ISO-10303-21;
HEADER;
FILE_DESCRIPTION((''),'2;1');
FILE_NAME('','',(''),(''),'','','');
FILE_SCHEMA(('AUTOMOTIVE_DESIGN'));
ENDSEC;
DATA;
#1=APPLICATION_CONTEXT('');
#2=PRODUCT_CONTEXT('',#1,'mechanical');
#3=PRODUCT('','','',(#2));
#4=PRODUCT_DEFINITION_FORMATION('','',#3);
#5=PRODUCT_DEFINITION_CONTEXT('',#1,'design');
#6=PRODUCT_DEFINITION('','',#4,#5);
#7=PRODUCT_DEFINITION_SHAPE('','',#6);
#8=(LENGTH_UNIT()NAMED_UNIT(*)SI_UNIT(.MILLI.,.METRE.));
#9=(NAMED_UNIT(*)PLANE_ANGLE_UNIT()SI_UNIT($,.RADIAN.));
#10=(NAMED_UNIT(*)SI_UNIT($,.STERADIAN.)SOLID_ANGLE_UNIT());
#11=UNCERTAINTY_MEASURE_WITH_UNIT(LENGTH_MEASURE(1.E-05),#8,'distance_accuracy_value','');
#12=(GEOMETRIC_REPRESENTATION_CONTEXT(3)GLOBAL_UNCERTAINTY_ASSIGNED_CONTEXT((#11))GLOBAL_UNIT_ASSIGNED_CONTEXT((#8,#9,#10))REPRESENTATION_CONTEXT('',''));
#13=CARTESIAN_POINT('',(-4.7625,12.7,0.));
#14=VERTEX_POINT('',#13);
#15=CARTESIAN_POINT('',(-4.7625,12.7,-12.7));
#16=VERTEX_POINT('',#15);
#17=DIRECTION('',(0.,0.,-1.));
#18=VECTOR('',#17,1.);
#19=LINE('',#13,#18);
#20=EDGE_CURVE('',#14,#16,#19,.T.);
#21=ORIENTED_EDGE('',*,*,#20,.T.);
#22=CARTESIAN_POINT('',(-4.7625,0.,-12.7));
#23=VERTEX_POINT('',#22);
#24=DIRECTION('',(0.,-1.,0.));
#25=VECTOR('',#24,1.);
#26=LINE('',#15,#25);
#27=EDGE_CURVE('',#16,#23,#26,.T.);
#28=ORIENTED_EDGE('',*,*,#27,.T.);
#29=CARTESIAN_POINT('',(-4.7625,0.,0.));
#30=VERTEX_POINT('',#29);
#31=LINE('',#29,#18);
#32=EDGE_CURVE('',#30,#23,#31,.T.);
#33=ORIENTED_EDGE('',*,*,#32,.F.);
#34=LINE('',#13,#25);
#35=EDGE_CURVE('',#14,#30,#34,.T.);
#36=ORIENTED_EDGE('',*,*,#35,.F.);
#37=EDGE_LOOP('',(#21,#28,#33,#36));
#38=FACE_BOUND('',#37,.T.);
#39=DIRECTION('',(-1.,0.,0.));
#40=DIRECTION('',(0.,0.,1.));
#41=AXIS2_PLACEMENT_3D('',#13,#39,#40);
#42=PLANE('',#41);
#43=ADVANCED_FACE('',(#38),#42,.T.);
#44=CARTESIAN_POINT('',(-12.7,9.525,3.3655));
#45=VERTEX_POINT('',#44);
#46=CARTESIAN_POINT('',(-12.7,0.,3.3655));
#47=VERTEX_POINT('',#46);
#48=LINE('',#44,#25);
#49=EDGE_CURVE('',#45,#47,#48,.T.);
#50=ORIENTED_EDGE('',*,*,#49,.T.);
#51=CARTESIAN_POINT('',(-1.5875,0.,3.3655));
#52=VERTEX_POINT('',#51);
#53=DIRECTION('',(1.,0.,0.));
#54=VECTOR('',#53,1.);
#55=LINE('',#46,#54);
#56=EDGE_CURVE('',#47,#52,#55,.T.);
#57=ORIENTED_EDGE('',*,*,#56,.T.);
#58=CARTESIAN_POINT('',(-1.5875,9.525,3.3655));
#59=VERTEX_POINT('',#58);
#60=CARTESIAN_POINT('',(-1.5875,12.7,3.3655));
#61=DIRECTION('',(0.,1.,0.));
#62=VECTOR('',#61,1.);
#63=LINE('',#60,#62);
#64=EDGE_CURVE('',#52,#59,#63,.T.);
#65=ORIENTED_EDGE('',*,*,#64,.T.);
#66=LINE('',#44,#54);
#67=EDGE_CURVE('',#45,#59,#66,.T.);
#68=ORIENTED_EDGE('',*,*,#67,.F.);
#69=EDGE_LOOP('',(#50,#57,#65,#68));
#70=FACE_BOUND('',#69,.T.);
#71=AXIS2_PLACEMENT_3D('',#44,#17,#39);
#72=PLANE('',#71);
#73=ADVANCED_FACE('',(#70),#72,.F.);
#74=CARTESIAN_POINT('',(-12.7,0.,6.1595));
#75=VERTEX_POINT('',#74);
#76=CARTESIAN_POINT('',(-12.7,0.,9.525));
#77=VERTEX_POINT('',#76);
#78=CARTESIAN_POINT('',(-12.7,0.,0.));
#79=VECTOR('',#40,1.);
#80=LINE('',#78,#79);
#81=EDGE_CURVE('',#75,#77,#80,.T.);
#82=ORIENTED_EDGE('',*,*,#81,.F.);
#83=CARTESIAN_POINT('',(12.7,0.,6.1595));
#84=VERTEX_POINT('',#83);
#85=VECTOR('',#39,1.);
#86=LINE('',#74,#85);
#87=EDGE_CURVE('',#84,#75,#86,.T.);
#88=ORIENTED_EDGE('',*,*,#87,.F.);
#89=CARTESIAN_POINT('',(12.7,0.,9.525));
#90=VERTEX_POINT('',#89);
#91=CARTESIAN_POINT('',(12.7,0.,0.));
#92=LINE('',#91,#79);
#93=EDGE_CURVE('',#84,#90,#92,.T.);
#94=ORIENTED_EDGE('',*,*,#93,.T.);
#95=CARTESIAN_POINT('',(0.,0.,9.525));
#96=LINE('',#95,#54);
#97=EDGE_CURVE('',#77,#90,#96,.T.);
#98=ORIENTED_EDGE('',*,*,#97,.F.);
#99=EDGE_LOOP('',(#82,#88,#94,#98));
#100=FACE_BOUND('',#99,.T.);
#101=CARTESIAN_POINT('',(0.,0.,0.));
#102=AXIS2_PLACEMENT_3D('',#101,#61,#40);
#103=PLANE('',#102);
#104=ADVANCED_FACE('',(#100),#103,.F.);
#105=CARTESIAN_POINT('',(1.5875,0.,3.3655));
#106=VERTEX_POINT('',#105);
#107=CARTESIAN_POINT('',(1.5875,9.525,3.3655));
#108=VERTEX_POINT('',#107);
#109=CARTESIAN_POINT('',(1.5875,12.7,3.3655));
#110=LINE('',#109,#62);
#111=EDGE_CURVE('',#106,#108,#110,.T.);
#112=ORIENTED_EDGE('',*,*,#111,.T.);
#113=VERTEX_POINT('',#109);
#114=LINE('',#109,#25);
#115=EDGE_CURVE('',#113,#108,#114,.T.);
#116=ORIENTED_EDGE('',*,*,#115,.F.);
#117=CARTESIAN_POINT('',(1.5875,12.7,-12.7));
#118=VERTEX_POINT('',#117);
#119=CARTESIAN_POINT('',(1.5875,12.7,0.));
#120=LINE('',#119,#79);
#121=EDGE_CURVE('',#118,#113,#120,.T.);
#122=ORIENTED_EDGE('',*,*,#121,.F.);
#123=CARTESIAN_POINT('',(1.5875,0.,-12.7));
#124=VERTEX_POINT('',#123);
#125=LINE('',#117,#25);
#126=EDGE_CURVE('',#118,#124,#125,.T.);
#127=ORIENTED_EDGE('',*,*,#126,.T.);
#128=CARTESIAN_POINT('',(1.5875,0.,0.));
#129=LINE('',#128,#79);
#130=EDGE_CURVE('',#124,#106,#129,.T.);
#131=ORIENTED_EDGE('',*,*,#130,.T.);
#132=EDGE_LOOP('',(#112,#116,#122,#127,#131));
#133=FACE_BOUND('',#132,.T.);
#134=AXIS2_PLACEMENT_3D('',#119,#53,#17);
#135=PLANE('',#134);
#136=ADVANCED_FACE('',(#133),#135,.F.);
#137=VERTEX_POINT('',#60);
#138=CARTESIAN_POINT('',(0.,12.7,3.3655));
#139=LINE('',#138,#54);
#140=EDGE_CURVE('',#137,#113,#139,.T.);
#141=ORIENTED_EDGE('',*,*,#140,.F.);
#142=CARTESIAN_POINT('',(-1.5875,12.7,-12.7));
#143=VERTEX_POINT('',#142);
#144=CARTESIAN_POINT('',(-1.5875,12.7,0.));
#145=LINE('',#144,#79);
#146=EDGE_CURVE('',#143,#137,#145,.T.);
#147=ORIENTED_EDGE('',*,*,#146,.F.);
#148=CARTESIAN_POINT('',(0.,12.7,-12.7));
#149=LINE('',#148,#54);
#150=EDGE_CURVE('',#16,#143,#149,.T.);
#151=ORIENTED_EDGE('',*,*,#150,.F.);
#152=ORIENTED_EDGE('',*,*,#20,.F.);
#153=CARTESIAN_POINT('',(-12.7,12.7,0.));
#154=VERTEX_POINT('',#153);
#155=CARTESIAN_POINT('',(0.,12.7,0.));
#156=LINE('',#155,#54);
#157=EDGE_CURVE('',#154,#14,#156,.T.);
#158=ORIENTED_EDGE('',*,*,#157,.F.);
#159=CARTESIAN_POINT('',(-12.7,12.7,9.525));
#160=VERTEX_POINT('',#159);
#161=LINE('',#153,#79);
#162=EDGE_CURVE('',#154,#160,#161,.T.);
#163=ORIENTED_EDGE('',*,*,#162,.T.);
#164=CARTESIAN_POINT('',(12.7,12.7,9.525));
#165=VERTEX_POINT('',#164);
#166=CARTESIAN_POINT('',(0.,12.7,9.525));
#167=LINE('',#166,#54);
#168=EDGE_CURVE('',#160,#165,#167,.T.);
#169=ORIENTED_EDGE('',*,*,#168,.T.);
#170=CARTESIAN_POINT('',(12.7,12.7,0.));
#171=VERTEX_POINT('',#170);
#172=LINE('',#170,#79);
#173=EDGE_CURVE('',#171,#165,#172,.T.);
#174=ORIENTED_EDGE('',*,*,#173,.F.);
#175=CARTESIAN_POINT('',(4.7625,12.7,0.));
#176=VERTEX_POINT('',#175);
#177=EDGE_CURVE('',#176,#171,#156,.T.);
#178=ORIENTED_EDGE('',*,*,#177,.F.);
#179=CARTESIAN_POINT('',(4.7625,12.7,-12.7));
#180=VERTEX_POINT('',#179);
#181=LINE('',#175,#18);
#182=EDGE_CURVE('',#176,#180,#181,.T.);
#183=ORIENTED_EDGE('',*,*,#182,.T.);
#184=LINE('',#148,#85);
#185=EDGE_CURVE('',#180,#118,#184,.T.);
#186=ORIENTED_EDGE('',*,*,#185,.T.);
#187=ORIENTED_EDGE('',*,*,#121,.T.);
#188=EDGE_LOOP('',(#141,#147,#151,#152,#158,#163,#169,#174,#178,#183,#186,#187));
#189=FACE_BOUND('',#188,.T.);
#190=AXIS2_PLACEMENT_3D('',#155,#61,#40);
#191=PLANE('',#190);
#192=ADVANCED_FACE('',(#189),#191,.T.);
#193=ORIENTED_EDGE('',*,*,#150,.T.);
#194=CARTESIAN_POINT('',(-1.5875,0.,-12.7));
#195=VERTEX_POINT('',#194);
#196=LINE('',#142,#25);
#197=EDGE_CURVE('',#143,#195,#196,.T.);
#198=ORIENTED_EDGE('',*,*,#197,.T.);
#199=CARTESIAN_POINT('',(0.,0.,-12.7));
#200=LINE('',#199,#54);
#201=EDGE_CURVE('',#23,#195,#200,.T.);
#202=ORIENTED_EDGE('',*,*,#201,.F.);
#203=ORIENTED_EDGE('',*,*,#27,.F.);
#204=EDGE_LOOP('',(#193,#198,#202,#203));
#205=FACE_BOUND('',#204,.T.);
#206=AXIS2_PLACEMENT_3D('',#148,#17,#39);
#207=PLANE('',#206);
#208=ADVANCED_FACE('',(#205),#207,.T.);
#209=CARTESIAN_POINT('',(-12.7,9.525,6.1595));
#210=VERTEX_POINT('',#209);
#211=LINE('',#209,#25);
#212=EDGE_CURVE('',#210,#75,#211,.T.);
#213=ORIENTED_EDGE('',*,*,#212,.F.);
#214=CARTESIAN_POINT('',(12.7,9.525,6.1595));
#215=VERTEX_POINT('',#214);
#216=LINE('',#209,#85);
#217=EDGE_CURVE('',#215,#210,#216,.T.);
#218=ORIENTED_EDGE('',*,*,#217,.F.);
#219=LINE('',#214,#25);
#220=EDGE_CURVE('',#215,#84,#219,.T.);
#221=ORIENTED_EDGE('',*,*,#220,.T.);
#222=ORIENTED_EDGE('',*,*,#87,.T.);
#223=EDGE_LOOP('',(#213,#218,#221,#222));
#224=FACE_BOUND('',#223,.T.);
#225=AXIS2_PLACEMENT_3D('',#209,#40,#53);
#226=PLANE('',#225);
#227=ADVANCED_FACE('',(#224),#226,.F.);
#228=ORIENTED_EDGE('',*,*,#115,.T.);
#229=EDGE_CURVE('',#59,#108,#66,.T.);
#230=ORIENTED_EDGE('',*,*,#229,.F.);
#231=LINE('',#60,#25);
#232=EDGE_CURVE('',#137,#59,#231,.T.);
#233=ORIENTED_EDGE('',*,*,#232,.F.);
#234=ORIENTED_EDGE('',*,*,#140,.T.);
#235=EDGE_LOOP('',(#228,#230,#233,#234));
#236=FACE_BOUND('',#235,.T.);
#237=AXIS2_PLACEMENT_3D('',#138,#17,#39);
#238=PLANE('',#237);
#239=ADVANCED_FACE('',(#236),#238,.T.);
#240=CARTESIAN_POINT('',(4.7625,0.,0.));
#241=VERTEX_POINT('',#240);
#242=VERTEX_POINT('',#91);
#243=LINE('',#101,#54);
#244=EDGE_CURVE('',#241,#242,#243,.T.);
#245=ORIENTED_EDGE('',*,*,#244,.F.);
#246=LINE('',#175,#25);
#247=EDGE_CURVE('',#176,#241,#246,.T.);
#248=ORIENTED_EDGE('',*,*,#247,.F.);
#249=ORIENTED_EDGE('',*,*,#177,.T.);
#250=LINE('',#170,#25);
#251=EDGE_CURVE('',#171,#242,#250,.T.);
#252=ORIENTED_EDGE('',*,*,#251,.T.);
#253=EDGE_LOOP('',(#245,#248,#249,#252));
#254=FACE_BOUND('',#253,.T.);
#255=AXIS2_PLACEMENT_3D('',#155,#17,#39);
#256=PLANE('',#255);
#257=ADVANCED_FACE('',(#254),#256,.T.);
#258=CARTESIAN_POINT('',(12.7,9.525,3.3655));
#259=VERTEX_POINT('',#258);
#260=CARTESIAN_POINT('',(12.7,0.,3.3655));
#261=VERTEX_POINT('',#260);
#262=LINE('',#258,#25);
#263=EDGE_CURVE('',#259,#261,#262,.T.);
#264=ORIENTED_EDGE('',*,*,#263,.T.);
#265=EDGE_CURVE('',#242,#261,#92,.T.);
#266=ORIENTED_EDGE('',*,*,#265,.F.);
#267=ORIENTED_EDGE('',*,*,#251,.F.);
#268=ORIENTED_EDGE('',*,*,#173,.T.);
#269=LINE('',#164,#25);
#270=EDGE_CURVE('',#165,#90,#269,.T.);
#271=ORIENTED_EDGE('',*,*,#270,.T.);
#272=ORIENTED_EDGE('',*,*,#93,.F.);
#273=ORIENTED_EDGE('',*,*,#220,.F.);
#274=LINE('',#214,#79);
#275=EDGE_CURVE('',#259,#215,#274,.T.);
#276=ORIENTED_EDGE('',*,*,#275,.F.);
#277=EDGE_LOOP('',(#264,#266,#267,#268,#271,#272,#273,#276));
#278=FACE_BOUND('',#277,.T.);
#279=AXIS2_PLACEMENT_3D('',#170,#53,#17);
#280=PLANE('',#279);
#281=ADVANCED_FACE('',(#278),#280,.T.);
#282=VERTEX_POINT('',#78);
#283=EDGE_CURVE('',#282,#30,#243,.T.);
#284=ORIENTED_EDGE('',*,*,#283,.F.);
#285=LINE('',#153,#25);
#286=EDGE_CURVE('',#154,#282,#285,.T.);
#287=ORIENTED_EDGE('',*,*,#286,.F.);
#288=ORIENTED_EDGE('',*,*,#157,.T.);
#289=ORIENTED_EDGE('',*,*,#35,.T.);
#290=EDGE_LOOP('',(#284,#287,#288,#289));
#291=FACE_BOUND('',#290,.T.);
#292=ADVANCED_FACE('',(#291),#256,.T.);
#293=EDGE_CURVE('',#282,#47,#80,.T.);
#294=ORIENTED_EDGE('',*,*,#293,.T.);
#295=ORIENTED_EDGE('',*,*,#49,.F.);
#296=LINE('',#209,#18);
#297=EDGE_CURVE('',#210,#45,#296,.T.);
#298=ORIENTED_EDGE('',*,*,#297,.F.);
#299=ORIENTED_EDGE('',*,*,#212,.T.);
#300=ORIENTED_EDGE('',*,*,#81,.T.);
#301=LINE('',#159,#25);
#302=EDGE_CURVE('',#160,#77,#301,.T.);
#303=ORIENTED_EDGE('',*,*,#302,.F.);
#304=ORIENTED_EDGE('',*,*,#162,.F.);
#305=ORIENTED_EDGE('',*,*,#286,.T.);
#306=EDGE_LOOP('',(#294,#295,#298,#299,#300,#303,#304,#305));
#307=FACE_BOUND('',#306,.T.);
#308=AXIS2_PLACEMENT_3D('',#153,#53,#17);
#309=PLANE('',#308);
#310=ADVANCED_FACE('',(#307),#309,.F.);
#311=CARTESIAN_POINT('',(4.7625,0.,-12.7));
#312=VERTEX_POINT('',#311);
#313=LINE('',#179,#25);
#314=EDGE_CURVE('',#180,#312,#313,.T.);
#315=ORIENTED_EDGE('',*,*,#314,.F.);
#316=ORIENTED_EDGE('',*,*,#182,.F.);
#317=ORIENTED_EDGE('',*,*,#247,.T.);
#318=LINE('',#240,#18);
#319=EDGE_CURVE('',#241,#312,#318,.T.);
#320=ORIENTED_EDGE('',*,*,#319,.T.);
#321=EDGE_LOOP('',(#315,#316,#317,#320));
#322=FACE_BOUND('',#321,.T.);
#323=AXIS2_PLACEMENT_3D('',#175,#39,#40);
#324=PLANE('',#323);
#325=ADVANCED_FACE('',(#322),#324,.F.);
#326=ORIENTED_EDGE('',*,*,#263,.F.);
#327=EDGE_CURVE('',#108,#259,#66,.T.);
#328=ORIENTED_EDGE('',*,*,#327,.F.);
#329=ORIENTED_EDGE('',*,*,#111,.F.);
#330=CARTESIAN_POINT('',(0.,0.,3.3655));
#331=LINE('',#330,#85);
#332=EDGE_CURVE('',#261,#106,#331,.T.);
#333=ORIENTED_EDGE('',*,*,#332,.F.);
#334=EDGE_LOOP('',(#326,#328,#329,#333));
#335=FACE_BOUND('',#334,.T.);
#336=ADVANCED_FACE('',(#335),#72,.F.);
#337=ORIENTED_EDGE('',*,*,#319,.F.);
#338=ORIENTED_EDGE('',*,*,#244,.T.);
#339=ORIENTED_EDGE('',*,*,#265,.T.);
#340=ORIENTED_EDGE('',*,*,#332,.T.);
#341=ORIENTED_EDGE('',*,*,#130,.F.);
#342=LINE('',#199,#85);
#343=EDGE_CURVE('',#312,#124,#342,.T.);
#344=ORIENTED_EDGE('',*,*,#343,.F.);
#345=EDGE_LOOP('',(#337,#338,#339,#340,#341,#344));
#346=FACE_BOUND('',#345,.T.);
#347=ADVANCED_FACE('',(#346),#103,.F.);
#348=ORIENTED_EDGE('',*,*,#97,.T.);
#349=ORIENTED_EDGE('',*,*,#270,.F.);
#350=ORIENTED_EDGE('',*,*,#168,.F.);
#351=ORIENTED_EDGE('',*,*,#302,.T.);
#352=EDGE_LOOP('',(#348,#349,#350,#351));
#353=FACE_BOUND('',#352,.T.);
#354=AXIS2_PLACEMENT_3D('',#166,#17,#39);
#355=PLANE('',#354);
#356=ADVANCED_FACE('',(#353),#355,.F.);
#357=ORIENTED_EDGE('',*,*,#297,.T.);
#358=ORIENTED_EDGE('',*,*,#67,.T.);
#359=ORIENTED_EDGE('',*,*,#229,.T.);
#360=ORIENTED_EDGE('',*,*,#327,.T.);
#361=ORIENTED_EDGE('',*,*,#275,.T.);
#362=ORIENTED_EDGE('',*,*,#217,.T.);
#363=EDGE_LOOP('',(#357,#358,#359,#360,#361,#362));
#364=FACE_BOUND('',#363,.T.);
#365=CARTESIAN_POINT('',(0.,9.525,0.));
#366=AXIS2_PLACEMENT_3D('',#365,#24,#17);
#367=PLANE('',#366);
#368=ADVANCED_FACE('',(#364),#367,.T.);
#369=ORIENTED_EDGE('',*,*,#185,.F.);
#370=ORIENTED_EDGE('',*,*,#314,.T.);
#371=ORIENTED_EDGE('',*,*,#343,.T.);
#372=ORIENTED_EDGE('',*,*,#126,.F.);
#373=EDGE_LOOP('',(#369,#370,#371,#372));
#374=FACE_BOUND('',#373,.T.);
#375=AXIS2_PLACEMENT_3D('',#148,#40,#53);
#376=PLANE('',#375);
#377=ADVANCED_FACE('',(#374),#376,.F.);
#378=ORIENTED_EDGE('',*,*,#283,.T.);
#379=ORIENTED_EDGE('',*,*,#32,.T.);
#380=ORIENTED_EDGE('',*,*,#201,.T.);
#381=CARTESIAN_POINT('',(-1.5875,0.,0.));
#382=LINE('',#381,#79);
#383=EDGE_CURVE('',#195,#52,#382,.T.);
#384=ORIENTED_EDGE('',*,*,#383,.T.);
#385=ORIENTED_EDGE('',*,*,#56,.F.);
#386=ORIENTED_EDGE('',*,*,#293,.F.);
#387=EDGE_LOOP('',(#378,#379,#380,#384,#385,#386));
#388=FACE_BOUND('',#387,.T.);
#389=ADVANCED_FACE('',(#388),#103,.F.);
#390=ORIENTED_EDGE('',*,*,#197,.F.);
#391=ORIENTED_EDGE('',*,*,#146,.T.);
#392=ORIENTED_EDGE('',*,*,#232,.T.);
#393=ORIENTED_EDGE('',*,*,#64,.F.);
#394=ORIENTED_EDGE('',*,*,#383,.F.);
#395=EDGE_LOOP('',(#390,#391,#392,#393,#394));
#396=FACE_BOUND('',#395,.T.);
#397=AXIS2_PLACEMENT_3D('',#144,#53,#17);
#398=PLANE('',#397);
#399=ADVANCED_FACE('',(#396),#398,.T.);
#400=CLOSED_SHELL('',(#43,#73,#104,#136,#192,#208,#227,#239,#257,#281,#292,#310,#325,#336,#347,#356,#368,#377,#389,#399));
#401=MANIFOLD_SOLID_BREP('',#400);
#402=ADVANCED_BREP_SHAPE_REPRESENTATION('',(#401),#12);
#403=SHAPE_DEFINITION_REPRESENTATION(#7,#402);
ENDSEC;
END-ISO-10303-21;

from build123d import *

# Parameters (mm, degrees)
BOSS_EXTRUDE1_DEPTH = 12.7
SKETCH3_W           = 25.4
SKETCH3_H           = 2.794
CUT_EXTRUDE1_DEPTH  = 9.525


with BuildPart() as part:
    # Sketch2 → Boss-Extrude1 (new body)
    with BuildSketch(Plane(origin=(0, 0, 0), x_dir=(1, 0, 0), z_dir=(0, 1, 0))):
        Polygon((-4.7625, 0), (-12.7, 0), (-12.7, -9.525), (12.7, -9.525), (12.7, 0), (4.7625, 0), (4.7625, 12.7), (1.5875, 12.7), (1.5875, -3.3655), (-1.5875, -3.3655), (-1.5875, 12.7), (-4.7625, 12.7), align=None)
    extrude(amount=BOSS_EXTRUDE1_DEPTH)

    # Sketch3 → Cut-Extrude1 (cut)
    with BuildSketch(Plane.XZ):
        with Locations((0, 4.7625)):
            Rectangle(SKETCH3_W, SKETCH3_H)
    extrude(amount=-CUT_EXTRUDE1_DEPTH, mode=Mode.SUBTRACT)


solid = part.part
